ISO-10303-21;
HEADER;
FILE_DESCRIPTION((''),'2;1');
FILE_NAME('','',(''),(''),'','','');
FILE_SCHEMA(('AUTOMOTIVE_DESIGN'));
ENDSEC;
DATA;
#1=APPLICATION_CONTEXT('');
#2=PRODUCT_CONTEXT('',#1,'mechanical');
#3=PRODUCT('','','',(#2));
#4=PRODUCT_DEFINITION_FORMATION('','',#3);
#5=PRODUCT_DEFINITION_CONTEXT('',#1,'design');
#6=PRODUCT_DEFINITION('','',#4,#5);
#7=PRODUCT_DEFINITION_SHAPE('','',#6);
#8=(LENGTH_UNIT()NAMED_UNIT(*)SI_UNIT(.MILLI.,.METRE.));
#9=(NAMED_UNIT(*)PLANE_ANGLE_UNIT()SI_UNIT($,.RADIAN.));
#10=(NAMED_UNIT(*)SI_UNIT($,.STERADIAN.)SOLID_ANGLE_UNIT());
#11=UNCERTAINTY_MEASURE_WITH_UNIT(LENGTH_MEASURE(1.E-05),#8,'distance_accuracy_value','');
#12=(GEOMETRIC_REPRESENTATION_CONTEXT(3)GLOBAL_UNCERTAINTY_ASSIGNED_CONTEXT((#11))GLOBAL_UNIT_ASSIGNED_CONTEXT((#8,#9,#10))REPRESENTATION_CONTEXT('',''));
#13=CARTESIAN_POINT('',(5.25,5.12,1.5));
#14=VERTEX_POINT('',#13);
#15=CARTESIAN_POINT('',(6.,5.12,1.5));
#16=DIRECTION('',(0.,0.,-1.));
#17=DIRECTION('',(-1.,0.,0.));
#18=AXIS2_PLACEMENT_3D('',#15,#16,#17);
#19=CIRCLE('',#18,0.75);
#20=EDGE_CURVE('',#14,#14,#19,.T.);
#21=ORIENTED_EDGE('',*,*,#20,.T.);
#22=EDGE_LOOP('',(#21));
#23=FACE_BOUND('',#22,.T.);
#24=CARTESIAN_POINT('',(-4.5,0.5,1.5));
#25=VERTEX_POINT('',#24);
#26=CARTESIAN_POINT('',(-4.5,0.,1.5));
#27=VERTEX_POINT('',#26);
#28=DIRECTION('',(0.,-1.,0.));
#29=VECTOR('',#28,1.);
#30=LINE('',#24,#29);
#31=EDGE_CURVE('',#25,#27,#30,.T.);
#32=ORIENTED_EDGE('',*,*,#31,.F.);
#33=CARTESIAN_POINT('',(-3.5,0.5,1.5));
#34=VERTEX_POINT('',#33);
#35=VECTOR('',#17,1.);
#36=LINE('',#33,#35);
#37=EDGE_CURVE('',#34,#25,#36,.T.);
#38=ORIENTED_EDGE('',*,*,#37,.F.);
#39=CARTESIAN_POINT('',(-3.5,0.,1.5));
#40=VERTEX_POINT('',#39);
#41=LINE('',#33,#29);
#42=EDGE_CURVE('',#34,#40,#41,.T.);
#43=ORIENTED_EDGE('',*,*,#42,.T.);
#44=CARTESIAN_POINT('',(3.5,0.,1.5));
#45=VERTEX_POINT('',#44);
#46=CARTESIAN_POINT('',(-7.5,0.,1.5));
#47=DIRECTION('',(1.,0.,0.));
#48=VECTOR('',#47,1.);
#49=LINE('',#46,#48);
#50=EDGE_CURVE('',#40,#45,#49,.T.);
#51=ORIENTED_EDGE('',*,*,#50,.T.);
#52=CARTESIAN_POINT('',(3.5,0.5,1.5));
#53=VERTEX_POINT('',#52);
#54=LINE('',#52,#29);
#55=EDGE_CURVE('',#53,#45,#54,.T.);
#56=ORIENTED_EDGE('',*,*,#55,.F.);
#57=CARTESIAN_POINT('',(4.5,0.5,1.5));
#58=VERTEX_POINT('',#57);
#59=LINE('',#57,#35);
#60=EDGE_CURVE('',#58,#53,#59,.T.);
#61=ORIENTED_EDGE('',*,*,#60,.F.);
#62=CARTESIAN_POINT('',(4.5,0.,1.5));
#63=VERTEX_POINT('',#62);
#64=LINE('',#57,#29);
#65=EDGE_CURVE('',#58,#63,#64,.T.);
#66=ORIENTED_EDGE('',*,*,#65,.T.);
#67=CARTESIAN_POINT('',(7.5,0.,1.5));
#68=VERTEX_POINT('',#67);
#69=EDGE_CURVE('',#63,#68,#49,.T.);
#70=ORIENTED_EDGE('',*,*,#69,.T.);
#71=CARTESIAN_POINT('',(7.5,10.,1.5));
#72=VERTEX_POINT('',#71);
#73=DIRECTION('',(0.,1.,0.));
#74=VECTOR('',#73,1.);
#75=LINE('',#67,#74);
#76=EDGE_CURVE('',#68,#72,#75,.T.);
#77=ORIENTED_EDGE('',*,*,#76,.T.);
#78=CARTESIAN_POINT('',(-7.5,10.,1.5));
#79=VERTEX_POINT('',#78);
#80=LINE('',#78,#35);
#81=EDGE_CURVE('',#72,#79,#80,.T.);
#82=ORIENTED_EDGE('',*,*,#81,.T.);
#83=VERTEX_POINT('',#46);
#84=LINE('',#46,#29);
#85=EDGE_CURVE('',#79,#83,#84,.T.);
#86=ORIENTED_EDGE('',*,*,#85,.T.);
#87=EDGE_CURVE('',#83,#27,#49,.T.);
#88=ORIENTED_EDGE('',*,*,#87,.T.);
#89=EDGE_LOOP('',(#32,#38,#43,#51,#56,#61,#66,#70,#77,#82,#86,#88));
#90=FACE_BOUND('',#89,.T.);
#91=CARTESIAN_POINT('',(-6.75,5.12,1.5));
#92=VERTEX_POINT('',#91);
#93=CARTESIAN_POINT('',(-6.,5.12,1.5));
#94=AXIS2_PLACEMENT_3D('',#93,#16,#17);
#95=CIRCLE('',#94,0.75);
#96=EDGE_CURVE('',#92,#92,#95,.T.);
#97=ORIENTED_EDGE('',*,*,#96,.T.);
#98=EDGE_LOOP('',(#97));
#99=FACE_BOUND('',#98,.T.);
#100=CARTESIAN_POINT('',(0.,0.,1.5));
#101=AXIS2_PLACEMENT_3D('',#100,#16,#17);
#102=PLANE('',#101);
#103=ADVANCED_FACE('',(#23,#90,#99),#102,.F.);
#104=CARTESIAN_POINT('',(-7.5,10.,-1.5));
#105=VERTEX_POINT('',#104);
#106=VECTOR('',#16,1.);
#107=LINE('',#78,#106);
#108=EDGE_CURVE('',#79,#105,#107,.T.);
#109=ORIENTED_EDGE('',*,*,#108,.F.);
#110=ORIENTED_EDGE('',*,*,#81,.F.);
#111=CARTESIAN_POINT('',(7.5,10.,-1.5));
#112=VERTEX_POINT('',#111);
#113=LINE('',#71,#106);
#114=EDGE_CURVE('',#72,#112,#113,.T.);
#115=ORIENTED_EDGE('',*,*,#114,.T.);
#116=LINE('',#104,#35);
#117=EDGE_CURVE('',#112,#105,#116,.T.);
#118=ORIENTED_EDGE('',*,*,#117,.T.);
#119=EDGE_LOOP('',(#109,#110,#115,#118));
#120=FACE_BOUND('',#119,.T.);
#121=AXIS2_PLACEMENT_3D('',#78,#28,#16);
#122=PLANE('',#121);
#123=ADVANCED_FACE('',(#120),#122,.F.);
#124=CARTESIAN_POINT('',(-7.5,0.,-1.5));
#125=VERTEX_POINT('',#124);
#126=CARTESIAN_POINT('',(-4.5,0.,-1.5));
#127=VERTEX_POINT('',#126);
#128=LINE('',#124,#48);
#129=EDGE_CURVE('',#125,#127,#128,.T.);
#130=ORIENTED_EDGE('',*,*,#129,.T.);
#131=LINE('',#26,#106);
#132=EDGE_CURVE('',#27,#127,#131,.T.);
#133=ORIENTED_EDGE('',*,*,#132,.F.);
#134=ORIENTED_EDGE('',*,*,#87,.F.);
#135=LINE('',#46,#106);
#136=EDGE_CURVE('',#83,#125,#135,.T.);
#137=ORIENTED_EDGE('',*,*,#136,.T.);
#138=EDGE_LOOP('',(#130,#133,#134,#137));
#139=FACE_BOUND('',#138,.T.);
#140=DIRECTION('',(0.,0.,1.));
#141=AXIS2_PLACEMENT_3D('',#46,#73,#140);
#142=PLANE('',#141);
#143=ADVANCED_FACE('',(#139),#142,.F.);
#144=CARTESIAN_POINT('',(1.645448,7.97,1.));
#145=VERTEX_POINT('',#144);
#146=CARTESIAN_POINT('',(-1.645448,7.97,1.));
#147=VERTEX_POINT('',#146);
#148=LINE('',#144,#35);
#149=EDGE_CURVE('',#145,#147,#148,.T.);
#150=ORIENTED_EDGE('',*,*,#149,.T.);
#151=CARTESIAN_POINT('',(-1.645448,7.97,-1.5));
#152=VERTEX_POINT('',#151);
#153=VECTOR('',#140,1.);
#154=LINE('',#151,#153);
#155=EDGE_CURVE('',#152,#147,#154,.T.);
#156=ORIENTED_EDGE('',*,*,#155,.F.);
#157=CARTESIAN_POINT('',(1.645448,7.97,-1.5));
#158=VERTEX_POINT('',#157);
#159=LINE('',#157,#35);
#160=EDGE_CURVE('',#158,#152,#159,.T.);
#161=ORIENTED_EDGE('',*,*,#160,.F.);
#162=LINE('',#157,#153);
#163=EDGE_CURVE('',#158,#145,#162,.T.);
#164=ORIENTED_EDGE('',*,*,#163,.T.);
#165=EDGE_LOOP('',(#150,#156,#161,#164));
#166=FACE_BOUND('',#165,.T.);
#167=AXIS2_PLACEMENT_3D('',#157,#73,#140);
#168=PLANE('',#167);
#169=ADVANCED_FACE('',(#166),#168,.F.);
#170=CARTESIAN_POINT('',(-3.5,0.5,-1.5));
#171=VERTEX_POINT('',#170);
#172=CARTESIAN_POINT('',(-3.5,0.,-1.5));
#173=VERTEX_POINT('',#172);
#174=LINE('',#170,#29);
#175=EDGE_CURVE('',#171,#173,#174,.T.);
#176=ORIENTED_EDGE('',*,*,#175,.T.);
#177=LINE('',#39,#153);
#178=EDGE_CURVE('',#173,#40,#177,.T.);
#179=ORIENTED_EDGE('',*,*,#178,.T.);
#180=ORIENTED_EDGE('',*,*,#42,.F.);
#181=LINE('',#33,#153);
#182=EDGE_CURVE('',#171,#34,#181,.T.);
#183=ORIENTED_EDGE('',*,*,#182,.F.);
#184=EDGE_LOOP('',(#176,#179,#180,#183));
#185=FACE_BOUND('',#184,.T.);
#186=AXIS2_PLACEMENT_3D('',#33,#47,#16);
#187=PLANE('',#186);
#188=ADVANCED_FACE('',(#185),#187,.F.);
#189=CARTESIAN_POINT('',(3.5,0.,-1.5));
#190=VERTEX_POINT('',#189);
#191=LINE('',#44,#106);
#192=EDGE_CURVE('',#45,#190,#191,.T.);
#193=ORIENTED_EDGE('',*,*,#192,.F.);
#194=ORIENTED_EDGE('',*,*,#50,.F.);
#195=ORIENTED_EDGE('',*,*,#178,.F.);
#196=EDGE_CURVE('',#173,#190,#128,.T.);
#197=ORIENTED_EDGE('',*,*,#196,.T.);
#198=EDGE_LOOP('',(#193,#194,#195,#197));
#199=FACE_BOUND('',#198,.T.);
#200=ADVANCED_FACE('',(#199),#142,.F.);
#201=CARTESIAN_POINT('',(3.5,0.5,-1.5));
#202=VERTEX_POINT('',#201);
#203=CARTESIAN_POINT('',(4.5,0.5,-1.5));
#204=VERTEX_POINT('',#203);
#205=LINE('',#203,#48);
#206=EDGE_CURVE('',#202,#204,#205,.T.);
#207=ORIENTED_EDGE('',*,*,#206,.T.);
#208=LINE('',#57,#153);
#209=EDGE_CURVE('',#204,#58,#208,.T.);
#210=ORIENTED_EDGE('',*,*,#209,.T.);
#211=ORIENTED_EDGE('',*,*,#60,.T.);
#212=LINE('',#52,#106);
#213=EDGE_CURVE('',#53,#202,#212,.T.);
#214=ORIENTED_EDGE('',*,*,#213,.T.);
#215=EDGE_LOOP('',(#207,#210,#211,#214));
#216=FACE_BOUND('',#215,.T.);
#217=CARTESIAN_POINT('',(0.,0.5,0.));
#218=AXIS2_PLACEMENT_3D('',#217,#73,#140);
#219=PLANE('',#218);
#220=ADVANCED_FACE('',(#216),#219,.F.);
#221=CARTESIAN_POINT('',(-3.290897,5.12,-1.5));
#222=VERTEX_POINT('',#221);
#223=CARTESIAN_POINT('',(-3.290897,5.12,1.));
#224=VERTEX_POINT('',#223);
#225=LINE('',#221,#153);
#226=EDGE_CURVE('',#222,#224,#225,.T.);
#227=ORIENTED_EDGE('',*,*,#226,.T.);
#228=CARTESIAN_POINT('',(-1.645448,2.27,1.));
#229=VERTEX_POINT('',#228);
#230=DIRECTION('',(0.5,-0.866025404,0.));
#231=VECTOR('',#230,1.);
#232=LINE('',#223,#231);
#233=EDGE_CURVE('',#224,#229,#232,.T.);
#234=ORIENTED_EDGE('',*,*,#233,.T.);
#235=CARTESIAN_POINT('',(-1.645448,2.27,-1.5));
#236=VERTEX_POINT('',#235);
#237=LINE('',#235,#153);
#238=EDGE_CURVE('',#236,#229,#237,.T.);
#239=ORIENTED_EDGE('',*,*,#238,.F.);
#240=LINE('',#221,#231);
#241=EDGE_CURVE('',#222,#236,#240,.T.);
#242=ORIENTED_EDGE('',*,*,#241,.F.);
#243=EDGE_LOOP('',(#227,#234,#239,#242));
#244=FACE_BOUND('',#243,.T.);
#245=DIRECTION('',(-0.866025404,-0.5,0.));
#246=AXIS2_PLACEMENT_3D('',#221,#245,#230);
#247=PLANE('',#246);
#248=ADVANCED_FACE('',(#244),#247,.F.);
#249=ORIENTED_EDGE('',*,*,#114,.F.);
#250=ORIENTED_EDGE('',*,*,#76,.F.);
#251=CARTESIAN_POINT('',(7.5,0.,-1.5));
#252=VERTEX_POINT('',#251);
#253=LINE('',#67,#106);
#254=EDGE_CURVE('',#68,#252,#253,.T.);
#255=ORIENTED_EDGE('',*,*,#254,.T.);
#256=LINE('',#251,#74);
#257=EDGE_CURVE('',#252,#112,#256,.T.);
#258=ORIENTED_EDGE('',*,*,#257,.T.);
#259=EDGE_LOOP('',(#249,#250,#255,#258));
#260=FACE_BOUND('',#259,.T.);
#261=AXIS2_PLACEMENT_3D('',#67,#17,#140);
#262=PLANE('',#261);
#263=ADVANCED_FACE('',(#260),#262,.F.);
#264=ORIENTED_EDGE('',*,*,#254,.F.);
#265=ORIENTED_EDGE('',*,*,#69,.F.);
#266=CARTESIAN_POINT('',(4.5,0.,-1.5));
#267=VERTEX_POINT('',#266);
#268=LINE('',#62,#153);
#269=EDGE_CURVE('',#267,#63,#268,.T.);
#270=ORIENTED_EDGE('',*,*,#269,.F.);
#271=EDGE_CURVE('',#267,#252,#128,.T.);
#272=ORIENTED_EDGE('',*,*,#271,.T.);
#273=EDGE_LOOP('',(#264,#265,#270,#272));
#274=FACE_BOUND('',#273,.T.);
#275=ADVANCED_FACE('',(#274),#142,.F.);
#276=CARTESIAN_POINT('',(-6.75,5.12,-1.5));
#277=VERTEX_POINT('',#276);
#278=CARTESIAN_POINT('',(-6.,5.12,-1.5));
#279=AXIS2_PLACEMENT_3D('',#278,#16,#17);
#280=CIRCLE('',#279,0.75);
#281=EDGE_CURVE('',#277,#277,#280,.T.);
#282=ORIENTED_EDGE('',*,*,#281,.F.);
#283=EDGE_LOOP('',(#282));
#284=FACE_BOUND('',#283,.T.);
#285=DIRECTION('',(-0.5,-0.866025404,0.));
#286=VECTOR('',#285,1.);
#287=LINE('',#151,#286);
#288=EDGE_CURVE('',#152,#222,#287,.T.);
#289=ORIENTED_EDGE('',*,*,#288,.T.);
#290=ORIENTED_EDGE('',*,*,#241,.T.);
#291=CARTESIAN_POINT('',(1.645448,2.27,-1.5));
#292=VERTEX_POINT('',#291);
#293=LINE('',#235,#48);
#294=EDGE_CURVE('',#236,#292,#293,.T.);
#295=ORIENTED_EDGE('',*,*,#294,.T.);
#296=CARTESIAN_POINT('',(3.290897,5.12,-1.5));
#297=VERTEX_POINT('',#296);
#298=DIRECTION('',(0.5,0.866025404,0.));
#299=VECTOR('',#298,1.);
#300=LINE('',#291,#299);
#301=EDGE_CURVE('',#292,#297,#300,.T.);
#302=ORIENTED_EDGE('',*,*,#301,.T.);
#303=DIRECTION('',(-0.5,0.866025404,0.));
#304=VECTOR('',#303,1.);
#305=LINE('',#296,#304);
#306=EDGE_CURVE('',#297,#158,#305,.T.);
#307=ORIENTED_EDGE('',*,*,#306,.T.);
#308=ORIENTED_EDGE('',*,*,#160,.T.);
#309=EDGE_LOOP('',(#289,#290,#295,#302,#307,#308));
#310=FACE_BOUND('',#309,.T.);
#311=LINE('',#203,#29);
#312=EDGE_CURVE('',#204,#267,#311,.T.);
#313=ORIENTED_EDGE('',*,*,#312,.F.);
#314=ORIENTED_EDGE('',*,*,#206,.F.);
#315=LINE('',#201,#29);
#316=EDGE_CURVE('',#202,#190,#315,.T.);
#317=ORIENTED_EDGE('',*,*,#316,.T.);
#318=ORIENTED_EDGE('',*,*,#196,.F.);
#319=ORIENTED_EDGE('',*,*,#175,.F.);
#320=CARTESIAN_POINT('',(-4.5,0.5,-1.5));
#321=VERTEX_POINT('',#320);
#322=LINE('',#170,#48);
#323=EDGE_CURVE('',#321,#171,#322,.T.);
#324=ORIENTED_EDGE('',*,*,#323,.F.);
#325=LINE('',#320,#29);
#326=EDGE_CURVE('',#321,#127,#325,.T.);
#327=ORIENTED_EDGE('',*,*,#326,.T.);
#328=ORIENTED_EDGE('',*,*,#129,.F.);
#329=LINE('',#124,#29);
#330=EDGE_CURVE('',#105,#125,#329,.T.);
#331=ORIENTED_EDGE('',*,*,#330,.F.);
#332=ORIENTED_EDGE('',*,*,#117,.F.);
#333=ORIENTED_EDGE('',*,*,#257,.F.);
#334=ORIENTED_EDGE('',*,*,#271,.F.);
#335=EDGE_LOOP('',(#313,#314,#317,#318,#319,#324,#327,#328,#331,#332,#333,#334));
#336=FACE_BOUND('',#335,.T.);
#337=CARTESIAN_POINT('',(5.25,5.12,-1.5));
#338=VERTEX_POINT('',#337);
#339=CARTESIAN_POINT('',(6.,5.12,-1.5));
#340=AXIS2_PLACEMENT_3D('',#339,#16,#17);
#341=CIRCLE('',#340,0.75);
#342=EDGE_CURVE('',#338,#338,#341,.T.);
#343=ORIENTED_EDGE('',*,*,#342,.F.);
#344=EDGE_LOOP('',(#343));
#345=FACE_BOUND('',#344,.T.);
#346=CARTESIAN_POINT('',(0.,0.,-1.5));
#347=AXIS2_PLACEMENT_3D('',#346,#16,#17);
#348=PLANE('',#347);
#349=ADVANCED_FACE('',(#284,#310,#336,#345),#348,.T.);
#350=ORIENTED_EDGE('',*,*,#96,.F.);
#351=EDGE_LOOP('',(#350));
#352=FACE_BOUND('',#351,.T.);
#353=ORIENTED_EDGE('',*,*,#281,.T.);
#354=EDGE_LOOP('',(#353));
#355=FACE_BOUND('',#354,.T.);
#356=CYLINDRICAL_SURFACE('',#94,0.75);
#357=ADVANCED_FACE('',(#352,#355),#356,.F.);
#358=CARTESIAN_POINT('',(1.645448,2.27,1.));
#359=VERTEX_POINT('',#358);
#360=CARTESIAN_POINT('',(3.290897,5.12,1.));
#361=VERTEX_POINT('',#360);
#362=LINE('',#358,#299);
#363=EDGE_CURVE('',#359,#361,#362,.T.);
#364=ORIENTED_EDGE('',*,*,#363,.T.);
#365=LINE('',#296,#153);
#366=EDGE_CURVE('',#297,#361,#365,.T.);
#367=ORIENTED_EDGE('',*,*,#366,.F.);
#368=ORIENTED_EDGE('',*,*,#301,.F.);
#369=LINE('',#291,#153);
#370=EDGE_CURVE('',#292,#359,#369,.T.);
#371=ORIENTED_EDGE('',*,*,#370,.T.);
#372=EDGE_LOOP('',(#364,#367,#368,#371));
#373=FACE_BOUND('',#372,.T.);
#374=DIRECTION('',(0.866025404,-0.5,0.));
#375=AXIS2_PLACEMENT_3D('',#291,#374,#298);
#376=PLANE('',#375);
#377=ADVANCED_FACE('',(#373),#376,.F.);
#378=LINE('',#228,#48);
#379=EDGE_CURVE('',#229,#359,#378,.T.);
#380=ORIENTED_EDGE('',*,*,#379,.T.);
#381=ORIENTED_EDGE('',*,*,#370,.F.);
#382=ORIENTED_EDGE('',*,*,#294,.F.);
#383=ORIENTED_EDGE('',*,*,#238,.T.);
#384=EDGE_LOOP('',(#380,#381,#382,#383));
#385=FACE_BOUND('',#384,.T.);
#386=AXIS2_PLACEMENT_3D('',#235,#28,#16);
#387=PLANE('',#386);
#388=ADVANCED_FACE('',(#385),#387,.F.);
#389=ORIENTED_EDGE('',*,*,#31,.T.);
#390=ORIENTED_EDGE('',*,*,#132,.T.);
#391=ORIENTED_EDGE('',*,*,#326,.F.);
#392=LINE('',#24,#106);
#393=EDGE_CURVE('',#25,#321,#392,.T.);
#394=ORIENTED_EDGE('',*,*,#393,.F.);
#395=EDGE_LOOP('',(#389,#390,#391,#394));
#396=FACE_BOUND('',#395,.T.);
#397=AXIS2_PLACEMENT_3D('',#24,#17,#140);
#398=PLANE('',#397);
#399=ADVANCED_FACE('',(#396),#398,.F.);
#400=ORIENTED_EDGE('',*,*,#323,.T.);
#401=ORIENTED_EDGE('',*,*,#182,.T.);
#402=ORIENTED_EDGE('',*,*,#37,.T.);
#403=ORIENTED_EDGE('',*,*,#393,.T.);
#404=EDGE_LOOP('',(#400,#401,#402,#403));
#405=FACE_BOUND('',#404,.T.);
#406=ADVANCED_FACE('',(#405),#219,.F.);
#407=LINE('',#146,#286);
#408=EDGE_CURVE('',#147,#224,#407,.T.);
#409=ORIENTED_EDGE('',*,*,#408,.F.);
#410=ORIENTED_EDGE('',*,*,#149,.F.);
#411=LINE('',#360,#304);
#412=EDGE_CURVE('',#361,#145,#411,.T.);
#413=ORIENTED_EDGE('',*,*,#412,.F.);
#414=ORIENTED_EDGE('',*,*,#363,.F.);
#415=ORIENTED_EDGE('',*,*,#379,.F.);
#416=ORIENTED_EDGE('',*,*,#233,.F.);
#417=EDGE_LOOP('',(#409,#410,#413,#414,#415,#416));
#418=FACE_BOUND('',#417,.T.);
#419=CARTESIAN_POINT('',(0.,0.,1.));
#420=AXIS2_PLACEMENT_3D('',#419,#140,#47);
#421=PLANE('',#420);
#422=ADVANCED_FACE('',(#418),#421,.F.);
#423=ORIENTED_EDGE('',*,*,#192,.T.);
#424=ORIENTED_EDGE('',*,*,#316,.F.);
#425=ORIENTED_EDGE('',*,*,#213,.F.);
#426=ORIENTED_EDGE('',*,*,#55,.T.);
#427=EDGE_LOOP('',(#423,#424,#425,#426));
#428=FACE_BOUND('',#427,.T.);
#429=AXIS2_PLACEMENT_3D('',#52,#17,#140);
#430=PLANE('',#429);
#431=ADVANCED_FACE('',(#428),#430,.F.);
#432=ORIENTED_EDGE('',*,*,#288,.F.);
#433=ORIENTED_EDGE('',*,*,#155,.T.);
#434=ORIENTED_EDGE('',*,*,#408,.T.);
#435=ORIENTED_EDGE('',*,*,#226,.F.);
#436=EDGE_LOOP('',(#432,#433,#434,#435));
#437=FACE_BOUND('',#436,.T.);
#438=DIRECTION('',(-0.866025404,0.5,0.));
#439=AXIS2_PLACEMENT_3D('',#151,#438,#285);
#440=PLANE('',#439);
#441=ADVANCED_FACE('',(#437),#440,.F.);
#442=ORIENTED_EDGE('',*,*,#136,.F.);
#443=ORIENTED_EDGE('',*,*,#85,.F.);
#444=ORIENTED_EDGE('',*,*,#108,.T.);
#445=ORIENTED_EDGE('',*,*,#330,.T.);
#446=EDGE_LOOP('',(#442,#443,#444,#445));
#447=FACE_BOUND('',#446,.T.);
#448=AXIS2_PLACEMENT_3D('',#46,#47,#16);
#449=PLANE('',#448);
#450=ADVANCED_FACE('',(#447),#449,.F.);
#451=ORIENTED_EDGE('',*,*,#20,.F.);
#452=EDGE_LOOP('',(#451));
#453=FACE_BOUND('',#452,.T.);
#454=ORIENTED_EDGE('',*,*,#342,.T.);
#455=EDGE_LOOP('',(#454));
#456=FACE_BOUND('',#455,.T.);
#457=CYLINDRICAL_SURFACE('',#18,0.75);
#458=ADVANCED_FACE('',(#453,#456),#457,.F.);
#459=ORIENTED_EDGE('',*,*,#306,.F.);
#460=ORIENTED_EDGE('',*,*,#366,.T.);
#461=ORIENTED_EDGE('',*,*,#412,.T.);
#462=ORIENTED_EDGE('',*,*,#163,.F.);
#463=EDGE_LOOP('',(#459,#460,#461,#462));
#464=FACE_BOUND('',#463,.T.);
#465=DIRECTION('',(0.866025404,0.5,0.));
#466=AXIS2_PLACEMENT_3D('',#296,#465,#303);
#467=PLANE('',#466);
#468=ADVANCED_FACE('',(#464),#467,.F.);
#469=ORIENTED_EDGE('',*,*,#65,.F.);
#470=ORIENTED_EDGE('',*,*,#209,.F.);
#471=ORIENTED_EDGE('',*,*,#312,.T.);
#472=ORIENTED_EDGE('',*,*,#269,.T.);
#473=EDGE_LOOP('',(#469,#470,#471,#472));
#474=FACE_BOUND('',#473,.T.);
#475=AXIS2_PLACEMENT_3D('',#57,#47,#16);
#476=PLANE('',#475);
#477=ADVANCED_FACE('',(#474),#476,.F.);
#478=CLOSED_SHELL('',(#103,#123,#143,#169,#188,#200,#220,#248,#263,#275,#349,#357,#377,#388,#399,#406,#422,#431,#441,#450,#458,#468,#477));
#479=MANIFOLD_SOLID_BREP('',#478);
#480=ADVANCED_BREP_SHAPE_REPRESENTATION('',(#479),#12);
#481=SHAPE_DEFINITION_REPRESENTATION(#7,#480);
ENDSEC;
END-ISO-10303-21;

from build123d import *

# Parameters (mm, degrees)
CROQUIS1_W                 = 15
CROQUIS1_H                 = 10
SALIENTE_EXTRUIR1_DEPTH    = 1.5
CORTAR_EXTRUIR2_DEPTH      = 1
CORTAR_EXTRUIR2_DEPTH_BACK = 13.589678312
CROQUIS4_W                 = 1
CROQUIS4_H                 = 3
CORTAR_EXTRUIR3_DEPTH      = 0.5
CROQUIS6_R                 = 0.75
CORTAR_EXTRUIR6_DEPTH      = 13.854960132


with BuildPart() as part:
    # Croquis1 → Saliente-Extruir1 (new, symmetric)
    with BuildSketch(Plane.XY):
        with Locations((0, 5)):
            Rectangle(CROQUIS1_W, CROQUIS1_H)
    extrude(amount=SALIENTE_EXTRUIR1_DEPTH, both=True)

    # Croquis3 → Cortar-Extruir2 (cut, two sides: drawn at the far end of the back side and taken through both)
    with BuildSketch(Plane.XY.offset(-CORTAR_EXTRUIR2_DEPTH_BACK)):
        Polygon((3.290896534, 5.12), (1.645448267, 7.97), (-1.645448267, 7.97), (-3.290896534, 5.12), (-1.645448267, 2.27), (1.645448267, 2.27), align=None)
    extrude(amount=CORTAR_EXTRUIR2_DEPTH + CORTAR_EXTRUIR2_DEPTH_BACK, mode=Mode.SUBTRACT)

    # Croquis4 → Cortar-Extruir3 (cut)
    with BuildSketch(Plane.XZ):
        with Locations((-4, 0)):
            Rectangle(CROQUIS4_W, CROQUIS4_H)
        with Locations((4, 0)):
            Rectangle(CROQUIS4_W, CROQUIS4_H)
    extrude(amount=-CORTAR_EXTRUIR3_DEPTH, mode=Mode.SUBTRACT)

    # Croquis6 → Cortar-Extruir6 (cut, through all)
    with BuildSketch(Plane(origin=(0, 0, -1.5), x_dir=(-1, 0, 0), z_dir=(0, 0, -1))):
        with Locations((-6, 5.12)):
            Circle(CROQUIS6_R)
        with Locations((6, 5.12)):
            Circle(CROQUIS6_R)
    extrude(amount=-CORTAR_EXTRUIR6_DEPTH, mode=Mode.SUBTRACT)


solid = part.part
